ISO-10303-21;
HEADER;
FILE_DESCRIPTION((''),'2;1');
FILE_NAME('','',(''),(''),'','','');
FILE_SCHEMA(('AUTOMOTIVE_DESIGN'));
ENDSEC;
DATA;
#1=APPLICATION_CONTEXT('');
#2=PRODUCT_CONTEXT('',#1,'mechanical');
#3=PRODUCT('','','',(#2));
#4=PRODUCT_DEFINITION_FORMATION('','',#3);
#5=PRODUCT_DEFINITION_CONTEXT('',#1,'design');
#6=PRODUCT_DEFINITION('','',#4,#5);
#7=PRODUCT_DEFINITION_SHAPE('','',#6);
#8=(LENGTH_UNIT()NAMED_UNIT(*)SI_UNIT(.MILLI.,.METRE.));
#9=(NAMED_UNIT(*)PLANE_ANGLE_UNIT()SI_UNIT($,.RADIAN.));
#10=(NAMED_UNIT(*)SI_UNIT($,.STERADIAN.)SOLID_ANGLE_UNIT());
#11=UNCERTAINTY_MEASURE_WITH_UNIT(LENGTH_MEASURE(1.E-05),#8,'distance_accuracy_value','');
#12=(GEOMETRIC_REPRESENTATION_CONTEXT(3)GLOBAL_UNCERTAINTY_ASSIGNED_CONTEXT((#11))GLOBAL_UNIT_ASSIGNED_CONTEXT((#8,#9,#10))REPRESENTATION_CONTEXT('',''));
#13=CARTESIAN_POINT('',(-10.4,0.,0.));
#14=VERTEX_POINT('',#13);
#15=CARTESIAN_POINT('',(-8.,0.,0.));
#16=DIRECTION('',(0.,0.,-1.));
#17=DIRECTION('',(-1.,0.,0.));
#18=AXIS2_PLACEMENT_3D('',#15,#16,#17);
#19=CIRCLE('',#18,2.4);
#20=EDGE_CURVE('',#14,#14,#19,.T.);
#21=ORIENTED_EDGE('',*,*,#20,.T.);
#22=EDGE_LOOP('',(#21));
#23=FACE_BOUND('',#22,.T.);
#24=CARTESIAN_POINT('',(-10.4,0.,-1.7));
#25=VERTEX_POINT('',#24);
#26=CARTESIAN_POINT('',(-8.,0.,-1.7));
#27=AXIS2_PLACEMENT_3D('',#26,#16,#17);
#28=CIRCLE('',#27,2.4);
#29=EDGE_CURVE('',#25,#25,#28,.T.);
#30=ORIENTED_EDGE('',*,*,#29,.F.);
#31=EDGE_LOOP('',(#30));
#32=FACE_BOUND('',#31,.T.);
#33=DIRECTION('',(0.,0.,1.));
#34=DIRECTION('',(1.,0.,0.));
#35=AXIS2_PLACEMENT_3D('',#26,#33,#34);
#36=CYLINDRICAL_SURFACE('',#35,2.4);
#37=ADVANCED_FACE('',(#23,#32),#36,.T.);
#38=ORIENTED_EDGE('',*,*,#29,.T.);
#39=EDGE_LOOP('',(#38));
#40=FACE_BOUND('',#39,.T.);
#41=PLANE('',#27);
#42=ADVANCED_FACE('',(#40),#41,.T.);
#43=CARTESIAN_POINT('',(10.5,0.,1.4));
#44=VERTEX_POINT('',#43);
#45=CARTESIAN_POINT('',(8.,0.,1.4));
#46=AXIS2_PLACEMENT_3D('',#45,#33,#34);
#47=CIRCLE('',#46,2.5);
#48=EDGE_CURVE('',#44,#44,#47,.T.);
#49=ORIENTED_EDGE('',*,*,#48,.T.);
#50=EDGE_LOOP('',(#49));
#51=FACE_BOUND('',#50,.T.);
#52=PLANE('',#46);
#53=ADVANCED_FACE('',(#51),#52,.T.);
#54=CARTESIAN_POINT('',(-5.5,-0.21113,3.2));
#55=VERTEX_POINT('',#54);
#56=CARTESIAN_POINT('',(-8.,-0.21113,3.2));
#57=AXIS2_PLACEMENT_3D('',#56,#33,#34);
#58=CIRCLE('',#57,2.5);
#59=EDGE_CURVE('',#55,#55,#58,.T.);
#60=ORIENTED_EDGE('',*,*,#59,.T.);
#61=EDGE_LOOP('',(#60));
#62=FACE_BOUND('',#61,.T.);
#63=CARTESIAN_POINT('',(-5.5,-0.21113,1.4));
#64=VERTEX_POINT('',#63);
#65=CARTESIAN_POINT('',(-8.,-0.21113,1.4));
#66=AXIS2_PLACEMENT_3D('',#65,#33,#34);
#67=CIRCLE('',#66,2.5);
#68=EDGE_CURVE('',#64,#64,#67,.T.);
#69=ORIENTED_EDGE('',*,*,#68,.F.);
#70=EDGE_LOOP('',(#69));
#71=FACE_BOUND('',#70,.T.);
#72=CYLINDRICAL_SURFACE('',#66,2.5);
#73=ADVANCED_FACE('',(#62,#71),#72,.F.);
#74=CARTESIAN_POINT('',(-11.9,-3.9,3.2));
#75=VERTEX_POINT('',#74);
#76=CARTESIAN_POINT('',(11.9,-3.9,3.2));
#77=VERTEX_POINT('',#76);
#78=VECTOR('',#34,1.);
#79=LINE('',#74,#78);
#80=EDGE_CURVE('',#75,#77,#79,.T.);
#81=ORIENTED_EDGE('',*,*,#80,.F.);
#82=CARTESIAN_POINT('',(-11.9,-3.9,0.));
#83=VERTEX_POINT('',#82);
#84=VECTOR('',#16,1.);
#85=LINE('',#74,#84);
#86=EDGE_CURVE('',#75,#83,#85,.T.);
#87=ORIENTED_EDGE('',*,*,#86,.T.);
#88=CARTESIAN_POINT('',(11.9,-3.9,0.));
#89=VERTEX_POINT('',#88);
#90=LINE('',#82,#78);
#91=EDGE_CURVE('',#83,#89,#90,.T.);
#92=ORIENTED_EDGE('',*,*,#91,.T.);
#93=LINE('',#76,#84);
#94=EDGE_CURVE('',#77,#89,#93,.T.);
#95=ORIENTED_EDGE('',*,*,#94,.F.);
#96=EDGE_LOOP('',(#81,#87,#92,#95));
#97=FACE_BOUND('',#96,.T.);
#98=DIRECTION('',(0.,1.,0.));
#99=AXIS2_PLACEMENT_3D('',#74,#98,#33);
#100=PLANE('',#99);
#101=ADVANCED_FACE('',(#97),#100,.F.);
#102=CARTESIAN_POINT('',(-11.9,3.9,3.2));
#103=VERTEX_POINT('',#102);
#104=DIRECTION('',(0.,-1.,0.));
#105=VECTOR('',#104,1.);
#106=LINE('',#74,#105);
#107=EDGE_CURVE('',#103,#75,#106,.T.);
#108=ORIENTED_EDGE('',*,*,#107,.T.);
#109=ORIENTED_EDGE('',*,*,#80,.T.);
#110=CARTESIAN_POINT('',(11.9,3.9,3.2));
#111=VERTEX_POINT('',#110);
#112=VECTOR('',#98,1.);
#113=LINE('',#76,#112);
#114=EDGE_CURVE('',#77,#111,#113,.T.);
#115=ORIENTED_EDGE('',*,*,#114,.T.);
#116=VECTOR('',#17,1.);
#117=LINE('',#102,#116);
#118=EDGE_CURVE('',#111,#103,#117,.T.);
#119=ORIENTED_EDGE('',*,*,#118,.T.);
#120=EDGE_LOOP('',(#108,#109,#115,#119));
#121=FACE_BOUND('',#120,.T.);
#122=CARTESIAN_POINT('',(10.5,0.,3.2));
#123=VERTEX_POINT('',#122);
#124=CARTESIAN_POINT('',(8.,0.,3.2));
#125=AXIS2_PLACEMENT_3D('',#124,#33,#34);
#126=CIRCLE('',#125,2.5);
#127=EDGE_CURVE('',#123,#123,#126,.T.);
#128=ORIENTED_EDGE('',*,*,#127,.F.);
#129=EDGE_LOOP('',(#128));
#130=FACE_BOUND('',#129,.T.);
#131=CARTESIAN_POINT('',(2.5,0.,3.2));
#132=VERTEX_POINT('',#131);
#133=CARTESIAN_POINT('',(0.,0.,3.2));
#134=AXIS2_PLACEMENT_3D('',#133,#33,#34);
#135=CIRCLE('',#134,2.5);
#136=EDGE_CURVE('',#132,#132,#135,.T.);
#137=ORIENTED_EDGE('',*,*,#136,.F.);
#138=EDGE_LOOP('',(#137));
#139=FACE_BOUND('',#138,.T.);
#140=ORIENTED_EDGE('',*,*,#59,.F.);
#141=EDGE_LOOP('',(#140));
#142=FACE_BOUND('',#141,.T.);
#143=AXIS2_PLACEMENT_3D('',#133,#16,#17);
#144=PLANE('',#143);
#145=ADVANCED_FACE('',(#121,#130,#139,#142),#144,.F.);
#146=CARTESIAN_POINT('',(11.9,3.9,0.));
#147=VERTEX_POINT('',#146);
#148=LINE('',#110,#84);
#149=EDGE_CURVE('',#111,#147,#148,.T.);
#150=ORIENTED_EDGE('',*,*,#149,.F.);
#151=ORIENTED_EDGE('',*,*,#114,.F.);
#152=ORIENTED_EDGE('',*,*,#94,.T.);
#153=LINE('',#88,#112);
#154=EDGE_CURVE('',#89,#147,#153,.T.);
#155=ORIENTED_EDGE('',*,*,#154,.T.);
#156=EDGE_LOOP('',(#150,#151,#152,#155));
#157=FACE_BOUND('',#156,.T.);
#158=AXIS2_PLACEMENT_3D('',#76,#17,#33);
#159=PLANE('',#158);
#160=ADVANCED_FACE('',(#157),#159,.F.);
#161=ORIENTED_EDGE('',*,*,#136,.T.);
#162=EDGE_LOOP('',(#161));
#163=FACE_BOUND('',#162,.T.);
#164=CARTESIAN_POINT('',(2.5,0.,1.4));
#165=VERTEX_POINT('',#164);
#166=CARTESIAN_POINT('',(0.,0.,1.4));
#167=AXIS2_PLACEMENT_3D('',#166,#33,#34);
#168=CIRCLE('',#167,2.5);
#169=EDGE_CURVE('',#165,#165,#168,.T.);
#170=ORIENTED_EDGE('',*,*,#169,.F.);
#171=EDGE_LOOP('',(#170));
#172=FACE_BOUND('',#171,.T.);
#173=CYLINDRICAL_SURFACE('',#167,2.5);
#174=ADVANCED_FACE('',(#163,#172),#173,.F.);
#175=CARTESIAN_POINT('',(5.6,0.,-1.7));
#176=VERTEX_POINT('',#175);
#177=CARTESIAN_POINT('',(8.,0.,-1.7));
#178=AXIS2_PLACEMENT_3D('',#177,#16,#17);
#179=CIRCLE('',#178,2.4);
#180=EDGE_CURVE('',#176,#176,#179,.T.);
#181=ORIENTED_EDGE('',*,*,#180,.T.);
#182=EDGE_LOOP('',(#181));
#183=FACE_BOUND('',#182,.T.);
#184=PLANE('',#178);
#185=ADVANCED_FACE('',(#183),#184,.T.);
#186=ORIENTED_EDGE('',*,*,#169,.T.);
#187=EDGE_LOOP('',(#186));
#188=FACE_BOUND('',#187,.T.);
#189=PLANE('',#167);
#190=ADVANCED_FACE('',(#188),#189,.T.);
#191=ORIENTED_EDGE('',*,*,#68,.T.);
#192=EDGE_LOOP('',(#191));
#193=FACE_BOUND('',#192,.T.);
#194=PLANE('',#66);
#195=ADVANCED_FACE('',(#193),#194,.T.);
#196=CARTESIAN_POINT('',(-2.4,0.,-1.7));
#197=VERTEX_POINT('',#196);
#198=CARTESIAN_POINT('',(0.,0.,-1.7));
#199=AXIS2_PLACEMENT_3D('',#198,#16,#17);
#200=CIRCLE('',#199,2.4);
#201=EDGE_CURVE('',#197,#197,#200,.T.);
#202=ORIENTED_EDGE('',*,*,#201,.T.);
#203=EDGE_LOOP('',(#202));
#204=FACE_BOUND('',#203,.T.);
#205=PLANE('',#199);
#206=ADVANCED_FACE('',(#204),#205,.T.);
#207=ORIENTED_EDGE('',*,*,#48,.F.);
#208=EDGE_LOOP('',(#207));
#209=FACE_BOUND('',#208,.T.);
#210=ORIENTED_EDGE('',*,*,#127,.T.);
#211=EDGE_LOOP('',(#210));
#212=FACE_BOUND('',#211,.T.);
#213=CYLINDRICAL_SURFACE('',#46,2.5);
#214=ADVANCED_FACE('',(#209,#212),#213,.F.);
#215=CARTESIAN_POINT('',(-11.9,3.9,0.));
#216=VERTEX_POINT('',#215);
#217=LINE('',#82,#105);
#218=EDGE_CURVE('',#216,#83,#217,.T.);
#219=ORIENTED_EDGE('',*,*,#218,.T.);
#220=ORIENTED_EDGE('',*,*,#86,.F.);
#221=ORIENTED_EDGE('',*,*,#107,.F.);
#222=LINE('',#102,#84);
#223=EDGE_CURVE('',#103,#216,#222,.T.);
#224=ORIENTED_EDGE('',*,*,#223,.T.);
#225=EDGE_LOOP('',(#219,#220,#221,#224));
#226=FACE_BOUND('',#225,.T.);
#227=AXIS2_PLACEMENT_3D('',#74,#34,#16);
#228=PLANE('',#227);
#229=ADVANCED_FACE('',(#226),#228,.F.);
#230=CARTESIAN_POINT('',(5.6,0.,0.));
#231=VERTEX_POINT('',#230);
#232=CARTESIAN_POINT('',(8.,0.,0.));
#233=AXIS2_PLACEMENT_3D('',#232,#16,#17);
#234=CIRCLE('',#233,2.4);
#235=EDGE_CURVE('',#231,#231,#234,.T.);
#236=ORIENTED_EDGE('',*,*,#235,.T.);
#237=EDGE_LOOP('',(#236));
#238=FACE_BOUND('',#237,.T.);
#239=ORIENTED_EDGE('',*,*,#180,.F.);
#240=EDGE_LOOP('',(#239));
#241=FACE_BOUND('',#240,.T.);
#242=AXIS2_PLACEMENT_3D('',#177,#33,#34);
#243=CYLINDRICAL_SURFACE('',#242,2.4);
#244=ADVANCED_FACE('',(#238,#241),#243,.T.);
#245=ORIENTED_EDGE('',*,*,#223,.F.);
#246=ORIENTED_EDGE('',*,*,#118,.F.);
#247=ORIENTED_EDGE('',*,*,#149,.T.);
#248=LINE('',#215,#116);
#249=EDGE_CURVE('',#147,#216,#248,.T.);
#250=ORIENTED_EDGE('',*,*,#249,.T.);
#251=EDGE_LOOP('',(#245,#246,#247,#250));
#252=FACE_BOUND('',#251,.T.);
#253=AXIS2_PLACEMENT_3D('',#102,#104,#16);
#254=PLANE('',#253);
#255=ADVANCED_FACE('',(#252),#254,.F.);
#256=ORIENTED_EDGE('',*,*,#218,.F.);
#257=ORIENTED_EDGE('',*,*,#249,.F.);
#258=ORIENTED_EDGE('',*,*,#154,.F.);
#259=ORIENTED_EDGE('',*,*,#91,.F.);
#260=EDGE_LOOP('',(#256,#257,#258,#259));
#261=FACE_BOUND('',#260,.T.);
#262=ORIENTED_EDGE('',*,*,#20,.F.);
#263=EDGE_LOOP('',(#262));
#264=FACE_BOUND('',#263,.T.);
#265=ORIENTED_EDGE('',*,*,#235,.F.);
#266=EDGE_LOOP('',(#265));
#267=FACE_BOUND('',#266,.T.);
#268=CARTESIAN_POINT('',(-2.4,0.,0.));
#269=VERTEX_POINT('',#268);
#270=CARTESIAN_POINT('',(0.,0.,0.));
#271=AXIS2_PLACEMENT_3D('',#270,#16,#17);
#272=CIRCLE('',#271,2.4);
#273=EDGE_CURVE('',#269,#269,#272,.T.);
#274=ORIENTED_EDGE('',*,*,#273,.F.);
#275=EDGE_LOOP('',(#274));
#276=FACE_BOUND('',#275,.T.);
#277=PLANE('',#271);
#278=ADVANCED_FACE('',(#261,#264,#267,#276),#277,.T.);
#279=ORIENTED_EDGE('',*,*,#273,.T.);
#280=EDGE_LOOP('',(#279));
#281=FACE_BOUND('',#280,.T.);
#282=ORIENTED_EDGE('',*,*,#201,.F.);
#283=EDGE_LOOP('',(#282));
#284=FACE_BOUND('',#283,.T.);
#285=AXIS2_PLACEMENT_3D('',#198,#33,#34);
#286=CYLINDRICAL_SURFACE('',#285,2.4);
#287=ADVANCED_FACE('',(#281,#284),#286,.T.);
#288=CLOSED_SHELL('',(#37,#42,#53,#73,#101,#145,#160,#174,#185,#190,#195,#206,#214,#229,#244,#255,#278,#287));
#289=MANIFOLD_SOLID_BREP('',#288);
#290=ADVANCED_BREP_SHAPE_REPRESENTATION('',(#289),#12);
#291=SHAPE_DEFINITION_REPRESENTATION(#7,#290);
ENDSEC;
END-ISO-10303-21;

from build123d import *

# Parameters (mm, degrees)
SKETCH_1_W          = 23.8
SKETCH_1_H          = 7.8
EXTRUDE_1_DEPTH     = 3.2
SKETCH_2_R          = 2.4
EXTRUDE_2_DEPTH     = 1.7
SKETCH_3_R          = 2.5
CUT_EXTRUDE_1_DEPTH = 1.8


with BuildPart() as part:
    # Эскиз1 → Бобышка-Вытянуть1 (new body)
    with BuildSketch(Plane.XY):
        Rectangle(SKETCH_1_W, SKETCH_1_H)
    extrude(amount=EXTRUDE_1_DEPTH)

    # Эскиз2 → Бобышка-Вытянуть2 (add)
    with BuildSketch(Plane(origin=(0, 0, 0), x_dir=(-1, 0, 0), z_dir=(0, 0, -1))):
        Circle(SKETCH_2_R)
        with Locations((8, 0)):
            Circle(SKETCH_2_R)
        with Locations((-8, 0)):
            Circle(SKETCH_2_R)
    extrude(amount=EXTRUDE_2_DEPTH)

    # Эскиз3 → Вырез-Вытянуть1 (cut)
    with BuildSketch(Plane.XY.offset(3.2)):
        Circle(SKETCH_3_R)
        with Locations((-8, -0.211129939)):
            Circle(SKETCH_3_R)
        with Locations((8, 0)):
            Circle(SKETCH_3_R)
    extrude(amount=-CUT_EXTRUDE_1_DEPTH, mode=Mode.SUBTRACT)


solid = part.part
